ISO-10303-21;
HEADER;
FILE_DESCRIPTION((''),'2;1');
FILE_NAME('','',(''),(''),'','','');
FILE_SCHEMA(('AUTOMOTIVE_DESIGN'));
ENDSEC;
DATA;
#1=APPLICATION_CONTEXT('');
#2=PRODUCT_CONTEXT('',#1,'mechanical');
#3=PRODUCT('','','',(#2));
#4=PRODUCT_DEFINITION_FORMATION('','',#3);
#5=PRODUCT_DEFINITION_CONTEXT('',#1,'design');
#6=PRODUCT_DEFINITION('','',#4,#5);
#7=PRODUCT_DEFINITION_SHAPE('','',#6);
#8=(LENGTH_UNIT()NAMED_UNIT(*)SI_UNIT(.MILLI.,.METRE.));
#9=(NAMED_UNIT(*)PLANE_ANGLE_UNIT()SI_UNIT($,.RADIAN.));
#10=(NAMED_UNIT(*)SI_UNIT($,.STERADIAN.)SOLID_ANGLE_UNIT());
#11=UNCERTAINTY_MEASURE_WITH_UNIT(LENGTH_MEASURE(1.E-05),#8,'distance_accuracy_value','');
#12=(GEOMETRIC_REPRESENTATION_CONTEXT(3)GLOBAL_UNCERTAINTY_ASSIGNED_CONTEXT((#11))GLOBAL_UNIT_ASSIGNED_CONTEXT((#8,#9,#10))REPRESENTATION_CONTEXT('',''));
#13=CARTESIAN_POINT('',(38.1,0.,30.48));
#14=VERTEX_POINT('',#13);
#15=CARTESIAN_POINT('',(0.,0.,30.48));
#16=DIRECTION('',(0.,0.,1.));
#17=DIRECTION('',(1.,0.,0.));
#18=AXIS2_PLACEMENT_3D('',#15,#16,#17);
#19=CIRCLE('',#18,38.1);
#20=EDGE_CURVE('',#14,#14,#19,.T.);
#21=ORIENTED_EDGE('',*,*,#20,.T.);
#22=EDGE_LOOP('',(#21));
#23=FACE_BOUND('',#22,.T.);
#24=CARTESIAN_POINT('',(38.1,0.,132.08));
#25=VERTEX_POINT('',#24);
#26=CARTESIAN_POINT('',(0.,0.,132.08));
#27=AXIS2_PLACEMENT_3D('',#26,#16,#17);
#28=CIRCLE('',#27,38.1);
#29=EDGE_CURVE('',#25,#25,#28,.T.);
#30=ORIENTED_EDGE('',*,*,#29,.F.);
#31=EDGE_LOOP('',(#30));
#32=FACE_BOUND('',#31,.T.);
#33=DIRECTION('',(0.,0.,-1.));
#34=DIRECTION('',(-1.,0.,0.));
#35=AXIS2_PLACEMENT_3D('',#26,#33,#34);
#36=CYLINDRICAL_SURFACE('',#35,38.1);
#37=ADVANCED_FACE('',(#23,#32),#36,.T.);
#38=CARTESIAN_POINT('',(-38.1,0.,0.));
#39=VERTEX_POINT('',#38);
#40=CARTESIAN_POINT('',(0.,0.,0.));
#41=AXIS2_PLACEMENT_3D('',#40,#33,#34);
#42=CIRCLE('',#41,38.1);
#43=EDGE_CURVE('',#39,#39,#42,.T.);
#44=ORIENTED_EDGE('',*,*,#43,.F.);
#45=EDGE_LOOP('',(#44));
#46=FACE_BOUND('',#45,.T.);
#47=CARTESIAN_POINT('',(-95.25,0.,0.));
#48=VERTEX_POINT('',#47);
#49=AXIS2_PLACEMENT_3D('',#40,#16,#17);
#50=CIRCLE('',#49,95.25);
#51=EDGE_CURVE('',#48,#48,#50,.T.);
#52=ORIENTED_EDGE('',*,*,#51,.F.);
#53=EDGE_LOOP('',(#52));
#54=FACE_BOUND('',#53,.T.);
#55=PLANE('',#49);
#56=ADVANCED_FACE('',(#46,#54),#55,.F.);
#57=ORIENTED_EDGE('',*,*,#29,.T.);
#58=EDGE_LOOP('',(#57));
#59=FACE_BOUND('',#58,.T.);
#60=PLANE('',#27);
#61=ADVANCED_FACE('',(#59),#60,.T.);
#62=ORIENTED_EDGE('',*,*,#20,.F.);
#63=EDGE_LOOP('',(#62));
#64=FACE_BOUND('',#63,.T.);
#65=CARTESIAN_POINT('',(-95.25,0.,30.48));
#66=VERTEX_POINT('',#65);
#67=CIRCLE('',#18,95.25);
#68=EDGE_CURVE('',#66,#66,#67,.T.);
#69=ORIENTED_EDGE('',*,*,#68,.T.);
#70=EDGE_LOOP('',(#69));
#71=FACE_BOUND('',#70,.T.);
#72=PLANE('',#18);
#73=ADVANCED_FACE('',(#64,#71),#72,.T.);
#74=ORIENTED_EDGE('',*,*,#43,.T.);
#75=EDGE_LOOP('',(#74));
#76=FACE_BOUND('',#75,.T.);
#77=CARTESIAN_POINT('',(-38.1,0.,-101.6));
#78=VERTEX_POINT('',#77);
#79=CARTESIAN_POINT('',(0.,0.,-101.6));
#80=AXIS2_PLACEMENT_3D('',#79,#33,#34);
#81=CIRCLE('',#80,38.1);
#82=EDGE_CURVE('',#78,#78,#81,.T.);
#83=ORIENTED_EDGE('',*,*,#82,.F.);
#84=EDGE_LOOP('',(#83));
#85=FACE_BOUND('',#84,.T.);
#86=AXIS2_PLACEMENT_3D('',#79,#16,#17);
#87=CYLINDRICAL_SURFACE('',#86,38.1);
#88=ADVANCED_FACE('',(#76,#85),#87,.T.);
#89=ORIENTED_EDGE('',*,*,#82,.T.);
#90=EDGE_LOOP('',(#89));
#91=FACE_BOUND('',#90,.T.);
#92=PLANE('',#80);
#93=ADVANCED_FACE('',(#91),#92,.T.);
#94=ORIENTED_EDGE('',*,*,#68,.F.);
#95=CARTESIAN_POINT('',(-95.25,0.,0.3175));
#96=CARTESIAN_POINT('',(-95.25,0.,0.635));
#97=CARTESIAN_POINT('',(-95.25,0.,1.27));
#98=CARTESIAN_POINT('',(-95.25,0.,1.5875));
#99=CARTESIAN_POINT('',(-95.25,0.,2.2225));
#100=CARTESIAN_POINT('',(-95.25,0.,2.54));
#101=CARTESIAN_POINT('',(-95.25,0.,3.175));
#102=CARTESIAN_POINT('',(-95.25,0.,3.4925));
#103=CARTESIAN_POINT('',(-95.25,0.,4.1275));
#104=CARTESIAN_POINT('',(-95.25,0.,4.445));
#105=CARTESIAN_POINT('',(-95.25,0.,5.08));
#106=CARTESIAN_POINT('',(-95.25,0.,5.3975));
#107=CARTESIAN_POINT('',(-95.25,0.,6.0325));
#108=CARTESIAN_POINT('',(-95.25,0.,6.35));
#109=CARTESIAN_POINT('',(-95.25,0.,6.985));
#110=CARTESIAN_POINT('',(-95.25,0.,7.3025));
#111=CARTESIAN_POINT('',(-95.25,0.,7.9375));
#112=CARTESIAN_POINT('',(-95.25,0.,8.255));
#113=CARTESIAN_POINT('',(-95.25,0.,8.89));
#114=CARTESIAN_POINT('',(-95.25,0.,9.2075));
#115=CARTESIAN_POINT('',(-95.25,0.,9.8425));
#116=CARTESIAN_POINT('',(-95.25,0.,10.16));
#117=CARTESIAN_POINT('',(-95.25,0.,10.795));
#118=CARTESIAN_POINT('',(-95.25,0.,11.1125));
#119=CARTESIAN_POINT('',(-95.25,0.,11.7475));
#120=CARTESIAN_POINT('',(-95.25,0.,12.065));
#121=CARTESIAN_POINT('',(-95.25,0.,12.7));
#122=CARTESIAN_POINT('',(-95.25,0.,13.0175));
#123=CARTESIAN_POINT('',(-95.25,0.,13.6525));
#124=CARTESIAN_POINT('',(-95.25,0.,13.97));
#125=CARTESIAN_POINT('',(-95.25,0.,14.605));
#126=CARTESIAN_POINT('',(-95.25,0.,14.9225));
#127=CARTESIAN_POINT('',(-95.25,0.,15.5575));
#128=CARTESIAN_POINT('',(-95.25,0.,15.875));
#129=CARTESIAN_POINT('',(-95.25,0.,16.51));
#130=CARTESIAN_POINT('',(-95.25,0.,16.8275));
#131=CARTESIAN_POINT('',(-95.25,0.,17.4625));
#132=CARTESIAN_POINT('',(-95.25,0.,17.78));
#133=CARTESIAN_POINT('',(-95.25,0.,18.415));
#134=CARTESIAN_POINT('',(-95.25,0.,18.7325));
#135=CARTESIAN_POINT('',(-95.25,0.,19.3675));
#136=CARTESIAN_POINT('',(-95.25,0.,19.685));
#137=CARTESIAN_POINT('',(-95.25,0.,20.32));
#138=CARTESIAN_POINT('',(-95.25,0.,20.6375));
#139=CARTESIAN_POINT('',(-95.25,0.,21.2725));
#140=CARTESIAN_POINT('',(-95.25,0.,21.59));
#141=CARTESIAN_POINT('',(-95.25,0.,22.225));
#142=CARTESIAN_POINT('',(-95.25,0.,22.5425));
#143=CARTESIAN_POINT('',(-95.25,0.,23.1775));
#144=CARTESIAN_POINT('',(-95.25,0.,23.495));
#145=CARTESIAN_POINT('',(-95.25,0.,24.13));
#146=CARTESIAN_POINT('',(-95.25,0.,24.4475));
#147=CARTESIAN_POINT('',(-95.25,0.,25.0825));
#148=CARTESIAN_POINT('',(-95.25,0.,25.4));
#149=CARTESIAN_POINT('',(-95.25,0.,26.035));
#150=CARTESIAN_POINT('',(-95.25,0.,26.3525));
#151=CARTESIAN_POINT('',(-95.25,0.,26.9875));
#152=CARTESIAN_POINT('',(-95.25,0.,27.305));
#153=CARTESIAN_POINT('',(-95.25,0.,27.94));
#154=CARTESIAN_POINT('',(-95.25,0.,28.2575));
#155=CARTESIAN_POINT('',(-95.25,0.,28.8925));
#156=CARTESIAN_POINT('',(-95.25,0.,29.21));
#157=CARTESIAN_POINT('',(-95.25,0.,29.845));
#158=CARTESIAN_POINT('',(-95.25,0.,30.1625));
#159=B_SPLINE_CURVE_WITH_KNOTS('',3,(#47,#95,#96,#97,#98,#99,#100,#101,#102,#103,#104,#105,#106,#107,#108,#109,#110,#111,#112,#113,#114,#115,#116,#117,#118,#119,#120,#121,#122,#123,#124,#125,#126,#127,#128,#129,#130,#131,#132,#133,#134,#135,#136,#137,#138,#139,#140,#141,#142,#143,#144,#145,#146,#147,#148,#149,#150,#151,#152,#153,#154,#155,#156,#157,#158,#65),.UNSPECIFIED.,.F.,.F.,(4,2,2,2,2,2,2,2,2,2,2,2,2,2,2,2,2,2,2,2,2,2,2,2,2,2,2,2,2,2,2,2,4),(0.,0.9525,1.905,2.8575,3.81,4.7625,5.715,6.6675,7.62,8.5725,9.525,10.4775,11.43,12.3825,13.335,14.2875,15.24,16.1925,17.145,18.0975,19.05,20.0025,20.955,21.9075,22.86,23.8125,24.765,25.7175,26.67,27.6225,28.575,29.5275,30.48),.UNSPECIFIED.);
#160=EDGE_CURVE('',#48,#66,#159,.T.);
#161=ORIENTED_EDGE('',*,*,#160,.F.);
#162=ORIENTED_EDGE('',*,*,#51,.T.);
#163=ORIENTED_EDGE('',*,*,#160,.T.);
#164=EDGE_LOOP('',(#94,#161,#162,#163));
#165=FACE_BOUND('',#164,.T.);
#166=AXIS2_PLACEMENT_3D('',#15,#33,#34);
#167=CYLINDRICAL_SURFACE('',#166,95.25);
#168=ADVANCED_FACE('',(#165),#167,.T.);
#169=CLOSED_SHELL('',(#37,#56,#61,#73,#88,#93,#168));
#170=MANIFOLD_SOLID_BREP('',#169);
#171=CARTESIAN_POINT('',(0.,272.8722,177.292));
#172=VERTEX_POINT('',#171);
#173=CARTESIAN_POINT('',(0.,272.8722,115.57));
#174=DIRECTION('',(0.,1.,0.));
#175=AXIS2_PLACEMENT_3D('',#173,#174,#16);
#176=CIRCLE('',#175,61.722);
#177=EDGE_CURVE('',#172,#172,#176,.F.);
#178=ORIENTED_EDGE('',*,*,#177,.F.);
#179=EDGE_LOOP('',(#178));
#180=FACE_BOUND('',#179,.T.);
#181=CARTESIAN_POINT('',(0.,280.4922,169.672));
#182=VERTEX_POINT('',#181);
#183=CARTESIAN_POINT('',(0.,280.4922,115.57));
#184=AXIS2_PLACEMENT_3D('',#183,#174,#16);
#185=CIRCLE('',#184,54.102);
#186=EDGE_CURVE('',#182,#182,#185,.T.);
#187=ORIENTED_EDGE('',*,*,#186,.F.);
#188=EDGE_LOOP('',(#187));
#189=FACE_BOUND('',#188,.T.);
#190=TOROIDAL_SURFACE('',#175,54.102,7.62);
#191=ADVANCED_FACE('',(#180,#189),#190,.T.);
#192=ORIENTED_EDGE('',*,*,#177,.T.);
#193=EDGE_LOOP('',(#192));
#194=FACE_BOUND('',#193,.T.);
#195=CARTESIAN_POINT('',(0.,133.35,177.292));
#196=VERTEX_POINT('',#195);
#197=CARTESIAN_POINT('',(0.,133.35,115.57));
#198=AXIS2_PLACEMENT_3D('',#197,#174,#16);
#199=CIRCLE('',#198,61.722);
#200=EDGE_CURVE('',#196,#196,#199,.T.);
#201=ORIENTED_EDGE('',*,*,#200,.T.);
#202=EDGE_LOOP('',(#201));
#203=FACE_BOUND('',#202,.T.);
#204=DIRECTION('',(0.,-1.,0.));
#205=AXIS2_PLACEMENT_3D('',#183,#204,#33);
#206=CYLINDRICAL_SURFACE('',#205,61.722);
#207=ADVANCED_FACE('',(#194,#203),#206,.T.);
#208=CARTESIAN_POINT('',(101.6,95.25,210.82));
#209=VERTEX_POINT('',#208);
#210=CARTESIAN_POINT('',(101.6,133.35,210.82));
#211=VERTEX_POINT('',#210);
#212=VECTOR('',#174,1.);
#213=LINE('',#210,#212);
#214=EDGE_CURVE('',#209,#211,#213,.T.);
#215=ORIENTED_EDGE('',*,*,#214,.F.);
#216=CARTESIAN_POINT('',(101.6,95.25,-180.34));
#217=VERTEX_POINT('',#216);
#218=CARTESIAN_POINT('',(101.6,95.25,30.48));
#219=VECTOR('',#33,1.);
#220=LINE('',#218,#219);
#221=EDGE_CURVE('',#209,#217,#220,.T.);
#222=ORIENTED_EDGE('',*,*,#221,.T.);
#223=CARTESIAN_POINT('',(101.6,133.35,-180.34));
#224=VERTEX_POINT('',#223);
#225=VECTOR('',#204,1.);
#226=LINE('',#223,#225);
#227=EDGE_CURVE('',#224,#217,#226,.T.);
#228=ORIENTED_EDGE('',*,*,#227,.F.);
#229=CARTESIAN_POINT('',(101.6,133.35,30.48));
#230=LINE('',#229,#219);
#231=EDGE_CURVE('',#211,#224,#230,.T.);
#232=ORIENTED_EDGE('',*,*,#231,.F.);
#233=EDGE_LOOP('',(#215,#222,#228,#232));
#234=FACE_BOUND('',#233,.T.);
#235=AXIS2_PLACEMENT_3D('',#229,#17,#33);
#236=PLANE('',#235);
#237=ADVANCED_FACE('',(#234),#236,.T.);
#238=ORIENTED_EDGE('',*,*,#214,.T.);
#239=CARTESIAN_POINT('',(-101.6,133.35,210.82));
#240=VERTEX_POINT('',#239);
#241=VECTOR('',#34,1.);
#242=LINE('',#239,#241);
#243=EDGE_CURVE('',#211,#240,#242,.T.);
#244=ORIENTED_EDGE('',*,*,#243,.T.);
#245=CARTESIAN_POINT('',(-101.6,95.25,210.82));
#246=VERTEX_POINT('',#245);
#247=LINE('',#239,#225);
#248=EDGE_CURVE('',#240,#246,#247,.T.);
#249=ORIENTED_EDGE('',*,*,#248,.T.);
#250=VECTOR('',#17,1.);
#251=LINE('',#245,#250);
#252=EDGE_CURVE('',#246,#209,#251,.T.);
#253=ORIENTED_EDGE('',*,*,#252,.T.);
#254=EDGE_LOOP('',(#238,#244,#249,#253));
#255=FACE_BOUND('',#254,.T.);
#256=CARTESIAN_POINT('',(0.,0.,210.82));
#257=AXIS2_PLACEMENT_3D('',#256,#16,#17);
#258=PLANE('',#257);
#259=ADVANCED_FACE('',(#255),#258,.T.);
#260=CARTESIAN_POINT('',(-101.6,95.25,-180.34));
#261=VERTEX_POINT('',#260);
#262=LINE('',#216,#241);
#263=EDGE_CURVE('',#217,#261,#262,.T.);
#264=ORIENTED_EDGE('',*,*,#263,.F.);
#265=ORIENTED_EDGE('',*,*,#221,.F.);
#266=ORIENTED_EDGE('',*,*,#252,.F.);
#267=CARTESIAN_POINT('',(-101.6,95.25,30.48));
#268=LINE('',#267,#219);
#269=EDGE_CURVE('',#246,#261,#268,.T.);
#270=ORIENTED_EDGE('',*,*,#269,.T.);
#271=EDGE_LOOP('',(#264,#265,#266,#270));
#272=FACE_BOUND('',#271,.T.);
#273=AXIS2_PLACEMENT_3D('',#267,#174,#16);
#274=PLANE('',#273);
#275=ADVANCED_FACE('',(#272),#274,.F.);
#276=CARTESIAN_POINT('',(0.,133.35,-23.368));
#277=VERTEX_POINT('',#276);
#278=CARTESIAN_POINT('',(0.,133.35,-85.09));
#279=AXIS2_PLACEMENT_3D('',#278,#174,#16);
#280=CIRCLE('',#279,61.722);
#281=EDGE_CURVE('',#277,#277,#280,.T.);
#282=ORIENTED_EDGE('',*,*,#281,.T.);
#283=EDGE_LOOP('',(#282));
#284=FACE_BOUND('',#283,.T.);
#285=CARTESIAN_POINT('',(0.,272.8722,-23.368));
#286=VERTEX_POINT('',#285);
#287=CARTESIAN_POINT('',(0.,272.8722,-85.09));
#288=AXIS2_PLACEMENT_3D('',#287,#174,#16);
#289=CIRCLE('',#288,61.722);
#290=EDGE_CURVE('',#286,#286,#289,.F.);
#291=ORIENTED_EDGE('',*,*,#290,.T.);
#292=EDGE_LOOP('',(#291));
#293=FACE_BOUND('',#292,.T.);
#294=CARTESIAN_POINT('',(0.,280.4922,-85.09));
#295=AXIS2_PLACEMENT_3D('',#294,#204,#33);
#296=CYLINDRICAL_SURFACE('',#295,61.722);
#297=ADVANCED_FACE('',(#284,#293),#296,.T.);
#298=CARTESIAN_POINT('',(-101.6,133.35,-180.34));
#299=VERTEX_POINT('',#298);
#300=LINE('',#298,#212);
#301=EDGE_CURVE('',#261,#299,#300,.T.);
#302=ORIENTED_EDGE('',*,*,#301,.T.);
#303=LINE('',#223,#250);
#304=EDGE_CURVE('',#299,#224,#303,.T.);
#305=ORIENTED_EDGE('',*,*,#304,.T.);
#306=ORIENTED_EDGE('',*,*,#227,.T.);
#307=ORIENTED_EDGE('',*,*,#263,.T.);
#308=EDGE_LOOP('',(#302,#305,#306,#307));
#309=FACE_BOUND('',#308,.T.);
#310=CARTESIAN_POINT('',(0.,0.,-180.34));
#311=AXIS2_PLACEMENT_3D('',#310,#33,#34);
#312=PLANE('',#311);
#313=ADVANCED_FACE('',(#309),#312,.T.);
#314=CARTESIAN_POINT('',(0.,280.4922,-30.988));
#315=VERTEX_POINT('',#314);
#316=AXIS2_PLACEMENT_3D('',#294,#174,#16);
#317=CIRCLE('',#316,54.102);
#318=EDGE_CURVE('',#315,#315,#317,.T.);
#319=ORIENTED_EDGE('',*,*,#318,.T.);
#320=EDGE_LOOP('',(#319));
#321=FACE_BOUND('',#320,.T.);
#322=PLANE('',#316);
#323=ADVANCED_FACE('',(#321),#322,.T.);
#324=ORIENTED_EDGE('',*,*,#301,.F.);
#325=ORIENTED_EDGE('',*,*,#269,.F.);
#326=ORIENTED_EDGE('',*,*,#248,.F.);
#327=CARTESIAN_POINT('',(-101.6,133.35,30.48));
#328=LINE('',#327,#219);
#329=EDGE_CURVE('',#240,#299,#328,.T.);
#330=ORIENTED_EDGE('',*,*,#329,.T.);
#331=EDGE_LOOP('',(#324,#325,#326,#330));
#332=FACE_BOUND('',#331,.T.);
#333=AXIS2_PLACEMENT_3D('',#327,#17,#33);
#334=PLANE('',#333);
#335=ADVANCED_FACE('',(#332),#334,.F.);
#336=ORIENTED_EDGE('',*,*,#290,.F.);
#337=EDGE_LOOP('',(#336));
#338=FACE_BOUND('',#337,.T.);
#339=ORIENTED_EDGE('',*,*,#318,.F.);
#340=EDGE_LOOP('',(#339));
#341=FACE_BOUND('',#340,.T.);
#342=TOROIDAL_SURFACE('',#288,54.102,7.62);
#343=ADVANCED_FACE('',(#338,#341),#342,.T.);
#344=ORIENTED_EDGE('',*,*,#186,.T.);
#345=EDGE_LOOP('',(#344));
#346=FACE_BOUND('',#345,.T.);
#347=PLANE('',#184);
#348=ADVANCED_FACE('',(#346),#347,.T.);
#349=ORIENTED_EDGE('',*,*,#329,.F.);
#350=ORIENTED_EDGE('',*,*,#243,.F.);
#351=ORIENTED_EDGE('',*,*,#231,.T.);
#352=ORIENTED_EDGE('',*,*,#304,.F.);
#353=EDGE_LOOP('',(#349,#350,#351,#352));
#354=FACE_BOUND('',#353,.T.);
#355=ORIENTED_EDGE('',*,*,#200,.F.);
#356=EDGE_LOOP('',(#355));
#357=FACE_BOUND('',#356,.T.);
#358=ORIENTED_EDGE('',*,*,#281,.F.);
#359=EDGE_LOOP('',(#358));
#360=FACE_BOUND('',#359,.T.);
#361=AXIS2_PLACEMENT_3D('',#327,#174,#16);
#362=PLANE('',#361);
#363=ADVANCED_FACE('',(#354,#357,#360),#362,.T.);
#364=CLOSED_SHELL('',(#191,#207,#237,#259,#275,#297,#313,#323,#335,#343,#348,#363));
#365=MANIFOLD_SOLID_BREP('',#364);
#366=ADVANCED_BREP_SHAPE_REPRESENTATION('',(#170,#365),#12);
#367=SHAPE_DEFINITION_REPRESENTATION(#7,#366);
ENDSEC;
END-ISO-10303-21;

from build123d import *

# Parameters (mm, degrees)
SKETCH1_R             = 95.25
BOSS_EXTRUDE1_DEPTH   = 30.48
SKETCH1_W             = 203.2
SKETCH1_H             = 38.1
BOSS_EXTRUDE1_2_DEPTH = 30.48
SKETCH4_W             = 203.2
SKETCH4_H             = 38.1
BOSS_EXTRUDE2_DEPTH   = 180.34
SKETCH5_W             = 203.2
SKETCH5_H             = 38.1
BOSS_EXTRUDE3_DEPTH   = 180.34
SKETCH6_R             = 38.1
BOSS_EXTRUDE4_DEPTH   = 101.6
BOSS_EXTRUDE5_START   = 101.6
SKETCH7_R             = 38.1
BOSS_EXTRUDE5_DEPTH   = 101.6
SKETCH8_R             = 61.722
BOSS_EXTRUDE6_DEPTH   = 147.1422
FILLET1_R             = 7.62


with BuildPart() as part:
    # Sketch1 → Boss-Extrude1 (new body)
    with BuildSketch(Plane.XY):
        with Locations(Location((0, 0, 0), (0, 0, 180))):
            Circle(SKETCH1_R)
    extrude(amount=BOSS_EXTRUDE1_DEPTH)

    # Sketch6 → Boss-Extrude4 (add)
    with BuildSketch(Plane.XY.offset(30.48)):
        Circle(SKETCH6_R)
    extrude(amount=BOSS_EXTRUDE4_DEPTH)

    # Sketch7 → Boss-Extrude5 (add)
    with BuildSketch(Plane(origin=(0, 0, 0), x_dir=(-1, 0, 0), z_dir=(0, 0, -1)).offset(BOSS_EXTRUDE5_START)):
        with Locations(Location((0, 0, 0), (0, 0, 180))):
            Circle(SKETCH7_R)
    extrude(amount=-BOSS_EXTRUDE5_DEPTH)


with BuildPart() as body_2:
    # Sketch1 → Boss-Extrude1 2 (new body)
    with BuildSketch(Plane.XY):
        with Locations((0, 114.3)):
            Rectangle(SKETCH1_W, SKETCH1_H)
    extrude(amount=BOSS_EXTRUDE1_2_DEPTH)

    # Sketch4 → Boss-Extrude2 (add)
    with BuildSketch(Plane(origin=(0, 0, 0), x_dir=(-1, 0, 0), z_dir=(0, 0, -1))):
        with Locations((0, 114.3)):
            Rectangle(SKETCH4_W, SKETCH4_H)
    extrude(amount=BOSS_EXTRUDE2_DEPTH)

    # Sketch5 → Boss-Extrude3 (add)
    with BuildSketch(Plane.XY.offset(30.48)):
        with Locations((0, 114.3)):
            Rectangle(SKETCH5_W, SKETCH5_H)
    extrude(amount=BOSS_EXTRUDE3_DEPTH)

    # Sketch8 → Boss-Extrude6 (add)
    with BuildSketch(Plane(origin=(0, 133.35, 0), x_dir=(1, 0, 0), z_dir=(0, 1, 0))):
        with Locations(Location((0, -115.57, 0), (0, 0, 270))):
            Circle(SKETCH8_R)
        with Locations(Location((0, 85.09, 0), (0, 0, 270))):
            Circle(SKETCH8_R)
    extrude(amount=BOSS_EXTRUDE6_DEPTH)

    # Fillet1
    fillet1_edges = [body_2.edges().sort_by_distance(p)[0] for p in [
        (0, 280.4922, 53.848),
        (0, 280.4922, -146.812),
    ]]
    fillet(fillet1_edges, radius=FILLET1_R)


solid = Compound([part.part, body_2.part])
